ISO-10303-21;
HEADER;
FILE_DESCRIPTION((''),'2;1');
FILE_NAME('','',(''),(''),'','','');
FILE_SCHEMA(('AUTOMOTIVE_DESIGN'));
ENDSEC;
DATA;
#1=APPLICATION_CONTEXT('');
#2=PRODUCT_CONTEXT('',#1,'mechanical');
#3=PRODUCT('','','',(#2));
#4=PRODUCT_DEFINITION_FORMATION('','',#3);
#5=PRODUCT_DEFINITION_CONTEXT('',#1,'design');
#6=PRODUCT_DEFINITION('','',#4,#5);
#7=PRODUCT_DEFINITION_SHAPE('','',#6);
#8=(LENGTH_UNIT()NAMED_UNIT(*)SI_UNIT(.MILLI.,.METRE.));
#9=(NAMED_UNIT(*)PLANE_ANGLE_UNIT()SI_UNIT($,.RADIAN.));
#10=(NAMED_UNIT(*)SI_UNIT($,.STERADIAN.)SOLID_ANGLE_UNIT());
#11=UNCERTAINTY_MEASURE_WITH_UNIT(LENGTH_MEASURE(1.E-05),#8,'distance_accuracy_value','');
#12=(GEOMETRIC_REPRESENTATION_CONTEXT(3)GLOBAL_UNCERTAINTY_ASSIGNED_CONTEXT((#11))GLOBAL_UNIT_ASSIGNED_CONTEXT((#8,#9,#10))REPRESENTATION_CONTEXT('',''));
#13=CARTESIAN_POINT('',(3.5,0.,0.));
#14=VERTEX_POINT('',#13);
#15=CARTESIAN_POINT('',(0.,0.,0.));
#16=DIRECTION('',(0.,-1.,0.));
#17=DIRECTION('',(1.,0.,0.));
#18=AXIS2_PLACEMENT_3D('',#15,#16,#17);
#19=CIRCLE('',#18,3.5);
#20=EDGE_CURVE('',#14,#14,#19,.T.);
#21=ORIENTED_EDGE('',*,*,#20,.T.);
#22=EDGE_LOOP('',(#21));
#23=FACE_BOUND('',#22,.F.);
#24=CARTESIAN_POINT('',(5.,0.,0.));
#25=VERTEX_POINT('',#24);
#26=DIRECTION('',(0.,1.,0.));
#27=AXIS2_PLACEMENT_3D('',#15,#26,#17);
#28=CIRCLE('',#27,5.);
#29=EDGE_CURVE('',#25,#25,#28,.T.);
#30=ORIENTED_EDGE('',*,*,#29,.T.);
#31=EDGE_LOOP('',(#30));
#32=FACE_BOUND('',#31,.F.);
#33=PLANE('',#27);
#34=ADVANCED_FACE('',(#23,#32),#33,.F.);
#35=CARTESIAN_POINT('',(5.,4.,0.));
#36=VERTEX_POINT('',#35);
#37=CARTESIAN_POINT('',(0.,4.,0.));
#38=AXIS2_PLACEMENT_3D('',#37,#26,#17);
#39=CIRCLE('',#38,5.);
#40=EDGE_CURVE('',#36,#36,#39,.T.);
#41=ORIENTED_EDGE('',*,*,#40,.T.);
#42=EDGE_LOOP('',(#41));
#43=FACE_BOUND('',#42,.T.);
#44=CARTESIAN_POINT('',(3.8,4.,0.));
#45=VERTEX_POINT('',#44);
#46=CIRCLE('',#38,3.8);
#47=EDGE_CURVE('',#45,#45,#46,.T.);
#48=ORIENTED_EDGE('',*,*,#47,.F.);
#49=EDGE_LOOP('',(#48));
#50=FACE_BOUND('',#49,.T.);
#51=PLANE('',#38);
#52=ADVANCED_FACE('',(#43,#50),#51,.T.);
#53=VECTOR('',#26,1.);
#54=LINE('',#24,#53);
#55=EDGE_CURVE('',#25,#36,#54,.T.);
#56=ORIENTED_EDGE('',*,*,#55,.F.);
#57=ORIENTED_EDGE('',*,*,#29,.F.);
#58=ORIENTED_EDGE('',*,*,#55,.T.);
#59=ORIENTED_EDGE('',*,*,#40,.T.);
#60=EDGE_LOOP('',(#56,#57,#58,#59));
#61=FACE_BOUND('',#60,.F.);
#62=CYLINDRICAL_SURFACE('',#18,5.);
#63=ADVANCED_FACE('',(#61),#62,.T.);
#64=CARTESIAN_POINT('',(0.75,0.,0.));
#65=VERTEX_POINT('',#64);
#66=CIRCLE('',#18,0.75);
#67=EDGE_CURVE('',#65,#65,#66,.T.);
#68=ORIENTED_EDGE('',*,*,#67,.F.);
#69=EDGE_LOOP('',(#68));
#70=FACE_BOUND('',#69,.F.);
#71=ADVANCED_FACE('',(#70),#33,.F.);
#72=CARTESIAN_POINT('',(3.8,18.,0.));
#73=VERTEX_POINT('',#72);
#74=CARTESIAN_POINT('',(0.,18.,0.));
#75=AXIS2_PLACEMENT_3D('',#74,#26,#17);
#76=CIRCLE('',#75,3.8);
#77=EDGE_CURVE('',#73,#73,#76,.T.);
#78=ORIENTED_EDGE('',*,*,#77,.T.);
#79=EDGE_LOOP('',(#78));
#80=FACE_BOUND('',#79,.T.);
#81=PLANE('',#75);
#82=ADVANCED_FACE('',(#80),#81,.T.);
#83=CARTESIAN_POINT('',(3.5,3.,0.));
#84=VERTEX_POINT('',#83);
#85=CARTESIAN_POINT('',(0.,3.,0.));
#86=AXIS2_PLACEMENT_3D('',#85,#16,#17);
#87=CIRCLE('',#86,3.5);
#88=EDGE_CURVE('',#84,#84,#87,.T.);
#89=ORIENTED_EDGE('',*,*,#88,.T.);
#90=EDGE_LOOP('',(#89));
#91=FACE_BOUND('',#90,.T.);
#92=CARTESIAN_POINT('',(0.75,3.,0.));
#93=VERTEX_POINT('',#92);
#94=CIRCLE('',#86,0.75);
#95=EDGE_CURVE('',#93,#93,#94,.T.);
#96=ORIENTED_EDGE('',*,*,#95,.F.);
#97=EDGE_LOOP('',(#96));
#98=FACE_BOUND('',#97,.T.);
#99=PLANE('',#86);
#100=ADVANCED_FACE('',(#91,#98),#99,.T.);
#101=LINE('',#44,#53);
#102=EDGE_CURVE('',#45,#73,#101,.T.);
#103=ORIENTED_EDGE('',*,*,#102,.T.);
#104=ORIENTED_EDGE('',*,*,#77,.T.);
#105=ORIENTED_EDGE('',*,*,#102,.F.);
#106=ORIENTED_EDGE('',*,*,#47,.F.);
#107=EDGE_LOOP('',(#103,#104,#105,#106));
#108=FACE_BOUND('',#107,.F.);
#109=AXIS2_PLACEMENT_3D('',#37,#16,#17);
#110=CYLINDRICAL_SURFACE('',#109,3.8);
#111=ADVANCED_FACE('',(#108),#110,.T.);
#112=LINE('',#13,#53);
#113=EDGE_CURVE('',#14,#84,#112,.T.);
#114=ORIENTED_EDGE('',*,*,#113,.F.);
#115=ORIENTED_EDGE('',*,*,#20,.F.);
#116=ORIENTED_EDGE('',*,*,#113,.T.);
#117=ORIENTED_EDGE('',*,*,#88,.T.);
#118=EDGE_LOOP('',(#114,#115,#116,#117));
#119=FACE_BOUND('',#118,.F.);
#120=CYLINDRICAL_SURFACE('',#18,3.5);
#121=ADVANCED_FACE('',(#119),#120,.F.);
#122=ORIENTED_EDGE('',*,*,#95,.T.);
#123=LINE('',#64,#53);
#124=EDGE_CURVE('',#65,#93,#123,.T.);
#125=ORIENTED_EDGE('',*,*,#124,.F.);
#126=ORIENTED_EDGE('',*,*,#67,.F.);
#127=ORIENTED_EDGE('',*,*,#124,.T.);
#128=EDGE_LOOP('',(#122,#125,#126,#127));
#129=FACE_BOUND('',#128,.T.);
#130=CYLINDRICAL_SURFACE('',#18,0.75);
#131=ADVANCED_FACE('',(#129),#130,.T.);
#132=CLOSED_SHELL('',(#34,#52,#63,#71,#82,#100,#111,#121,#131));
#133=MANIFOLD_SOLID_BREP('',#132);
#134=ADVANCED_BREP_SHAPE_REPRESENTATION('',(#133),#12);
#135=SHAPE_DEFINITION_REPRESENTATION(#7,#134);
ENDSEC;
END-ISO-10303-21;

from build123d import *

# Parameters (mm, degrees)
SKETCH_1_R          = 5
EXTRUDE_1_DEPTH     = 4
SKETCH_2_R          = 3.8
EXTRUDE_2_DEPTH     = 14
SKETCH_3_R          = 3.5
SKETCH_3_R_2        = 0.75
CUT_EXTRUDE_1_DEPTH = 3


with BuildPart() as part:
    # 草图1 → 凸台-拉伸1 (new body)
    with BuildSketch(Plane(origin=(0, 0, 0), x_dir=(1, 0, 0), z_dir=(0, 1, 0))):
        Circle(SKETCH_1_R)
    extrude(amount=EXTRUDE_1_DEPTH)

    # 草图2 → 凸台-拉伸2 (add)
    with BuildSketch(Plane(origin=(0, 4, 0), x_dir=(1, 0, 0), z_dir=(0, 1, 0))):
        Circle(SKETCH_2_R)
    extrude(amount=EXTRUDE_2_DEPTH)

    # 草图3 → 切除-拉伸1 (cut)
    with BuildSketch(Plane.XZ):
        Circle(SKETCH_3_R)
        Circle(SKETCH_3_R_2, mode=Mode.SUBTRACT)
    extrude(amount=-CUT_EXTRUDE_1_DEPTH, mode=Mode.SUBTRACT)


solid = part.part
